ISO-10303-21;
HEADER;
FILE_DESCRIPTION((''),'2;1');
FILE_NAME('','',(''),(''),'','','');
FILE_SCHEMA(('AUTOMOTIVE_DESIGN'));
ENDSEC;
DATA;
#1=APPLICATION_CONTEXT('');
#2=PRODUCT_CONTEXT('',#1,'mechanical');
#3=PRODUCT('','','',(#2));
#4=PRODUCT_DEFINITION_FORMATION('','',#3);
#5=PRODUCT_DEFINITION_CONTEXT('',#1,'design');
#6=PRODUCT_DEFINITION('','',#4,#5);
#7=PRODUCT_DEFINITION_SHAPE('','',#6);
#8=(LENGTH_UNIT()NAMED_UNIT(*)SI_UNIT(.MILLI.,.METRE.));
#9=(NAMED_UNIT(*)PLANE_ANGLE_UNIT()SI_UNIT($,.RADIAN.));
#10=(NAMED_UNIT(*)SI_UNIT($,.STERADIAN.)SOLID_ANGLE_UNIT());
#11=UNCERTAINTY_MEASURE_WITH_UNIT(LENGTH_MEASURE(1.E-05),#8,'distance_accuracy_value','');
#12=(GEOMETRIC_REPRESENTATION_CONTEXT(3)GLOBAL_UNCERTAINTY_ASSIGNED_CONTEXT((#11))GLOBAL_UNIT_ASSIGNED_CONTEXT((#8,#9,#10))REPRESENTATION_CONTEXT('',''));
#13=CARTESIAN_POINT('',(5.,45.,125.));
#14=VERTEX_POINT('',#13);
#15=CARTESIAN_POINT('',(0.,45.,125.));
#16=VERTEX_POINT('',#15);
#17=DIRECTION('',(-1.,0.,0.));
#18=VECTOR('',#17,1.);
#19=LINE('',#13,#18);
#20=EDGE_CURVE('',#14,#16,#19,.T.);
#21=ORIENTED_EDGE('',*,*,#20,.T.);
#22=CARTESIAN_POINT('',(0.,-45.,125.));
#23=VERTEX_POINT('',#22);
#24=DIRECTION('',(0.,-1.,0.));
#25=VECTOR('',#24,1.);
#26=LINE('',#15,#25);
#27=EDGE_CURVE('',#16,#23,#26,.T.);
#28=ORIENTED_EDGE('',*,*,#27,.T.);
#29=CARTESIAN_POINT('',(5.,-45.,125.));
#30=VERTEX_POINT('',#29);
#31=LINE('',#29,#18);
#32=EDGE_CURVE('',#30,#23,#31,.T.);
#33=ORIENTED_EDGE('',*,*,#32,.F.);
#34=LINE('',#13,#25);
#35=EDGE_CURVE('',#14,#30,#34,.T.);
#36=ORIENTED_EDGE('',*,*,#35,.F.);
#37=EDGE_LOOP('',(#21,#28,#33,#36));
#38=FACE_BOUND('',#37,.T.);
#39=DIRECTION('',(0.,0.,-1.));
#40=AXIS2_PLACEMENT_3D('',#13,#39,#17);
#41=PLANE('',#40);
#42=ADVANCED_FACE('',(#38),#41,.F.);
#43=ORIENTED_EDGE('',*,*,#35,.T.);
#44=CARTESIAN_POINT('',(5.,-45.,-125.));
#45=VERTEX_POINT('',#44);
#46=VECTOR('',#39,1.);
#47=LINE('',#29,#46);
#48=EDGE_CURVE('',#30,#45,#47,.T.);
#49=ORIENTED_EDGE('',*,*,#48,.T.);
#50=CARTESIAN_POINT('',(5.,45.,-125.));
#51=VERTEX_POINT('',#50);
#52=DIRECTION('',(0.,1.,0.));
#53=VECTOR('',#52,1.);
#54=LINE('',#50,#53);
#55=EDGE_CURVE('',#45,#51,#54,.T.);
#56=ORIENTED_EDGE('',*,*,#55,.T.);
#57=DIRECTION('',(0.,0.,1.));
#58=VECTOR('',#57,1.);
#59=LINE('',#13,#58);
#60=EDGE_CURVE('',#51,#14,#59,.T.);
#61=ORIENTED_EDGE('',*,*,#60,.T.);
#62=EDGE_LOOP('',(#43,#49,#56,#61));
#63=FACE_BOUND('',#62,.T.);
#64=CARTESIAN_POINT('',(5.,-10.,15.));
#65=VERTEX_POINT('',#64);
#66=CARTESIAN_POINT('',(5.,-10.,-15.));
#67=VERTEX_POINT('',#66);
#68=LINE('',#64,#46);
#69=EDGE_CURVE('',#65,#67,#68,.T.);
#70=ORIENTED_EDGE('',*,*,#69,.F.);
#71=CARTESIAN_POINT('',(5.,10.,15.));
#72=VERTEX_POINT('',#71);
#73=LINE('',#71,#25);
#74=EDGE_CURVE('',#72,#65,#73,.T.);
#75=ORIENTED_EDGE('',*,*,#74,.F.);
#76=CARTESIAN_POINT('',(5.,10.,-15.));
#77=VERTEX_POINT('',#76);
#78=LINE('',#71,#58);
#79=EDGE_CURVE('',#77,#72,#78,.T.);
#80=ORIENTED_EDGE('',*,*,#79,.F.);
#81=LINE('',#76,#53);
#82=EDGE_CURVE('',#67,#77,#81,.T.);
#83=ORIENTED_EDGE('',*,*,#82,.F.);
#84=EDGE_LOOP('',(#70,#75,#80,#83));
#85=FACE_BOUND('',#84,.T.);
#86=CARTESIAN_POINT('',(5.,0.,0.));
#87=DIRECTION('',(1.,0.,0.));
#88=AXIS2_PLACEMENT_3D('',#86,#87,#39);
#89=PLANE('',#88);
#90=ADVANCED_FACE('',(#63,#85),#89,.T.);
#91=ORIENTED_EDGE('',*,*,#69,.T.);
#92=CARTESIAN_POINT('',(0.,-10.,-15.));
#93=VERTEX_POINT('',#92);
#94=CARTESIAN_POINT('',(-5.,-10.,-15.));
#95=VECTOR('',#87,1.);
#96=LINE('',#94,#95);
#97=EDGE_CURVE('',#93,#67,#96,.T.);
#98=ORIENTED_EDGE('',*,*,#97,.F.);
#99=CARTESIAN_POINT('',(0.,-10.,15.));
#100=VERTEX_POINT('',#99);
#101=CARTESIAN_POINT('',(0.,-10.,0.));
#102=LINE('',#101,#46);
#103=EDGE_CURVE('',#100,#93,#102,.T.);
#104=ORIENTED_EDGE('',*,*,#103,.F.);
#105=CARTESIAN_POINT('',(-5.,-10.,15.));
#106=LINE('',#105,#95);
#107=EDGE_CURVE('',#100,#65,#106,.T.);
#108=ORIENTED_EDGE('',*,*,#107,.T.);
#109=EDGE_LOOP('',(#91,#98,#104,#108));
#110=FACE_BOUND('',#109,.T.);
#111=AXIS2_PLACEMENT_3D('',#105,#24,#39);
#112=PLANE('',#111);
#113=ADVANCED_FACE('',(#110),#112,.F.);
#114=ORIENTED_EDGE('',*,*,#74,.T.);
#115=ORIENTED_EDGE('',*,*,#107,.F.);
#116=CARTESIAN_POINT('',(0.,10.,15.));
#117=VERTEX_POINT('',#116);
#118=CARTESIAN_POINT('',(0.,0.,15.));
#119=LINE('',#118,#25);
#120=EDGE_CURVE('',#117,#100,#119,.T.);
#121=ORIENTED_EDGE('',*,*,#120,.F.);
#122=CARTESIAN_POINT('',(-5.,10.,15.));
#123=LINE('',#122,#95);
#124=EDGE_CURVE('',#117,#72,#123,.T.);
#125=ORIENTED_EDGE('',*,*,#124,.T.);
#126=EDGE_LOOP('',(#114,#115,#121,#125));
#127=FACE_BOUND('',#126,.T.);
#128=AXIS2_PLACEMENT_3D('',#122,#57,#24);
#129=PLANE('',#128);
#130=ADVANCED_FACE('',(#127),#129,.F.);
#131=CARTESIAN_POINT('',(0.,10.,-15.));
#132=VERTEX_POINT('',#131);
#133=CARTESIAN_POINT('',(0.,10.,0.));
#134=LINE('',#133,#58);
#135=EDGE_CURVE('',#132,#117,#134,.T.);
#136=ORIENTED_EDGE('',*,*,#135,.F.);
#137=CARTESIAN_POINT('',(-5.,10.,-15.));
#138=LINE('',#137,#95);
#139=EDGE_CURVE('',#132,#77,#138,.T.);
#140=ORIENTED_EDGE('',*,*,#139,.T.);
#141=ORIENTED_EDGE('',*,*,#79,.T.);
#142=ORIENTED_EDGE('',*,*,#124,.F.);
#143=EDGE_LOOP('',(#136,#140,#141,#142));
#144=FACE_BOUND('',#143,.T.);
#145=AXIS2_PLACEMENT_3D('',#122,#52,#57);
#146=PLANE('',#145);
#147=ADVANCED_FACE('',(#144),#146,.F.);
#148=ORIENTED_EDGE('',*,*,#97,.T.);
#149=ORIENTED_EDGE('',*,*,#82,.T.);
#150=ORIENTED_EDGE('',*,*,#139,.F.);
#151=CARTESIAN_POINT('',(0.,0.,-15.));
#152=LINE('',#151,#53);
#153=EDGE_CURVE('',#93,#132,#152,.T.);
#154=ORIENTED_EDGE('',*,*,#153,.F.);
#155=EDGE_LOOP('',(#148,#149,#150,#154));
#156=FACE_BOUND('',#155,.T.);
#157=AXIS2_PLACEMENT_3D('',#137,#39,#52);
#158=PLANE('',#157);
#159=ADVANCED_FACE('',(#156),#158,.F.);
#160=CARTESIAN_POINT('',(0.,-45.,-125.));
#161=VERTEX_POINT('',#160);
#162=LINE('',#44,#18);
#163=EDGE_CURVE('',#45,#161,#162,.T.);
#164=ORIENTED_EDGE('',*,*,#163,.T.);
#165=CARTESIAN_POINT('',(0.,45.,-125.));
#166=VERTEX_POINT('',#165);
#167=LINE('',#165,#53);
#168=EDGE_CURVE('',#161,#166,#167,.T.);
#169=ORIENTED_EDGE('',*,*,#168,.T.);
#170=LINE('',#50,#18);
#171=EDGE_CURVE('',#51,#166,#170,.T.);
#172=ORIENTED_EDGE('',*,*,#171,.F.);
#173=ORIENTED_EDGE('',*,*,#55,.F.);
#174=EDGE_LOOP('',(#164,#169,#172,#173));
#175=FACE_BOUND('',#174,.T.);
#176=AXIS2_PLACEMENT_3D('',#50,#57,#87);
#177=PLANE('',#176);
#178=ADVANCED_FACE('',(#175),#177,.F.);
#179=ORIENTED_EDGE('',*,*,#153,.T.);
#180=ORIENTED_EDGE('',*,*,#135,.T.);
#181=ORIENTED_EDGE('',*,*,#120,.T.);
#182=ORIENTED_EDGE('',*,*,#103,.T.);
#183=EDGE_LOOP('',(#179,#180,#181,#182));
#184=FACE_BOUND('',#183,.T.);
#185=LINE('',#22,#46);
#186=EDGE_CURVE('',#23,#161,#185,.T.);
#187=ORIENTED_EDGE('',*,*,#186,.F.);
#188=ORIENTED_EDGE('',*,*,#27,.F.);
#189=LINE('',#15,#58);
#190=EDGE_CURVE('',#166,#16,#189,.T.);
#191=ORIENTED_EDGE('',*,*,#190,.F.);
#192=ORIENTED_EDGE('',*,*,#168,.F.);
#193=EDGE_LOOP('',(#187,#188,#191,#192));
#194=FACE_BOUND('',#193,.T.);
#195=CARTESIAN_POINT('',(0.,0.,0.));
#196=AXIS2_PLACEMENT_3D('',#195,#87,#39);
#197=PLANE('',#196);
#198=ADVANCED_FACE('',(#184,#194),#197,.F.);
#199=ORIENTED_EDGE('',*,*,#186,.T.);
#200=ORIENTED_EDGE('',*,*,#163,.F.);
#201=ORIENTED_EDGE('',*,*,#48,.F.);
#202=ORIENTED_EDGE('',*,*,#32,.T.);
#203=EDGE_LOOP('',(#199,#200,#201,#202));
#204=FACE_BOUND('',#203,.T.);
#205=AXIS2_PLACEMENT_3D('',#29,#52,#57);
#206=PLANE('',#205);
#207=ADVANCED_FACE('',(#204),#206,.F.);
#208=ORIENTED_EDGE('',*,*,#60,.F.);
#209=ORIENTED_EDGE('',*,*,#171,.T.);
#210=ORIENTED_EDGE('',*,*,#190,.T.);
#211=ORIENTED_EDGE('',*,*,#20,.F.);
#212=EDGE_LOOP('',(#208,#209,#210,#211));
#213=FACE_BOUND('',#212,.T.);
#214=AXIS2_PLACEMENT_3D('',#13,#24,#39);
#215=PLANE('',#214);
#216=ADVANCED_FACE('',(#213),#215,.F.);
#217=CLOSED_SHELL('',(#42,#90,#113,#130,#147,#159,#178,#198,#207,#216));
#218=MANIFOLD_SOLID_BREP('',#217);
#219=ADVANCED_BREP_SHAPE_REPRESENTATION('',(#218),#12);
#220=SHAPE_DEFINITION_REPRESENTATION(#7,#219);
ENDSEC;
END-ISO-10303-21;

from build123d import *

# Parameters (mm, degrees)
SKETCH1_W           = 250
SKETCH1_H           = 90
BOSS_EXTRUDE1_DEPTH = 5
SKETCH2_W           = 30
SKETCH2_H           = 20
CUT_EXTRUDE1_DEPTH  = 10


with BuildPart() as part:
    # Sketch1 → Boss-Extrude1 (new body)
    with BuildSketch(Plane(origin=(0, 0, 0), x_dir=(0, 0, -1), z_dir=(1, 0, 0))):
        Rectangle(SKETCH1_W, SKETCH1_H)
    extrude(amount=BOSS_EXTRUDE1_DEPTH)

    # Sketch2 → Cut-Extrude1 (cut)
    with BuildSketch(Plane(origin=(5, 0, 0), x_dir=(0, 0, -1), z_dir=(1, 0, 0))):
        Rectangle(SKETCH2_W, SKETCH2_H)
    extrude(amount=-CUT_EXTRUDE1_DEPTH, mode=Mode.SUBTRACT)


solid = part.part
